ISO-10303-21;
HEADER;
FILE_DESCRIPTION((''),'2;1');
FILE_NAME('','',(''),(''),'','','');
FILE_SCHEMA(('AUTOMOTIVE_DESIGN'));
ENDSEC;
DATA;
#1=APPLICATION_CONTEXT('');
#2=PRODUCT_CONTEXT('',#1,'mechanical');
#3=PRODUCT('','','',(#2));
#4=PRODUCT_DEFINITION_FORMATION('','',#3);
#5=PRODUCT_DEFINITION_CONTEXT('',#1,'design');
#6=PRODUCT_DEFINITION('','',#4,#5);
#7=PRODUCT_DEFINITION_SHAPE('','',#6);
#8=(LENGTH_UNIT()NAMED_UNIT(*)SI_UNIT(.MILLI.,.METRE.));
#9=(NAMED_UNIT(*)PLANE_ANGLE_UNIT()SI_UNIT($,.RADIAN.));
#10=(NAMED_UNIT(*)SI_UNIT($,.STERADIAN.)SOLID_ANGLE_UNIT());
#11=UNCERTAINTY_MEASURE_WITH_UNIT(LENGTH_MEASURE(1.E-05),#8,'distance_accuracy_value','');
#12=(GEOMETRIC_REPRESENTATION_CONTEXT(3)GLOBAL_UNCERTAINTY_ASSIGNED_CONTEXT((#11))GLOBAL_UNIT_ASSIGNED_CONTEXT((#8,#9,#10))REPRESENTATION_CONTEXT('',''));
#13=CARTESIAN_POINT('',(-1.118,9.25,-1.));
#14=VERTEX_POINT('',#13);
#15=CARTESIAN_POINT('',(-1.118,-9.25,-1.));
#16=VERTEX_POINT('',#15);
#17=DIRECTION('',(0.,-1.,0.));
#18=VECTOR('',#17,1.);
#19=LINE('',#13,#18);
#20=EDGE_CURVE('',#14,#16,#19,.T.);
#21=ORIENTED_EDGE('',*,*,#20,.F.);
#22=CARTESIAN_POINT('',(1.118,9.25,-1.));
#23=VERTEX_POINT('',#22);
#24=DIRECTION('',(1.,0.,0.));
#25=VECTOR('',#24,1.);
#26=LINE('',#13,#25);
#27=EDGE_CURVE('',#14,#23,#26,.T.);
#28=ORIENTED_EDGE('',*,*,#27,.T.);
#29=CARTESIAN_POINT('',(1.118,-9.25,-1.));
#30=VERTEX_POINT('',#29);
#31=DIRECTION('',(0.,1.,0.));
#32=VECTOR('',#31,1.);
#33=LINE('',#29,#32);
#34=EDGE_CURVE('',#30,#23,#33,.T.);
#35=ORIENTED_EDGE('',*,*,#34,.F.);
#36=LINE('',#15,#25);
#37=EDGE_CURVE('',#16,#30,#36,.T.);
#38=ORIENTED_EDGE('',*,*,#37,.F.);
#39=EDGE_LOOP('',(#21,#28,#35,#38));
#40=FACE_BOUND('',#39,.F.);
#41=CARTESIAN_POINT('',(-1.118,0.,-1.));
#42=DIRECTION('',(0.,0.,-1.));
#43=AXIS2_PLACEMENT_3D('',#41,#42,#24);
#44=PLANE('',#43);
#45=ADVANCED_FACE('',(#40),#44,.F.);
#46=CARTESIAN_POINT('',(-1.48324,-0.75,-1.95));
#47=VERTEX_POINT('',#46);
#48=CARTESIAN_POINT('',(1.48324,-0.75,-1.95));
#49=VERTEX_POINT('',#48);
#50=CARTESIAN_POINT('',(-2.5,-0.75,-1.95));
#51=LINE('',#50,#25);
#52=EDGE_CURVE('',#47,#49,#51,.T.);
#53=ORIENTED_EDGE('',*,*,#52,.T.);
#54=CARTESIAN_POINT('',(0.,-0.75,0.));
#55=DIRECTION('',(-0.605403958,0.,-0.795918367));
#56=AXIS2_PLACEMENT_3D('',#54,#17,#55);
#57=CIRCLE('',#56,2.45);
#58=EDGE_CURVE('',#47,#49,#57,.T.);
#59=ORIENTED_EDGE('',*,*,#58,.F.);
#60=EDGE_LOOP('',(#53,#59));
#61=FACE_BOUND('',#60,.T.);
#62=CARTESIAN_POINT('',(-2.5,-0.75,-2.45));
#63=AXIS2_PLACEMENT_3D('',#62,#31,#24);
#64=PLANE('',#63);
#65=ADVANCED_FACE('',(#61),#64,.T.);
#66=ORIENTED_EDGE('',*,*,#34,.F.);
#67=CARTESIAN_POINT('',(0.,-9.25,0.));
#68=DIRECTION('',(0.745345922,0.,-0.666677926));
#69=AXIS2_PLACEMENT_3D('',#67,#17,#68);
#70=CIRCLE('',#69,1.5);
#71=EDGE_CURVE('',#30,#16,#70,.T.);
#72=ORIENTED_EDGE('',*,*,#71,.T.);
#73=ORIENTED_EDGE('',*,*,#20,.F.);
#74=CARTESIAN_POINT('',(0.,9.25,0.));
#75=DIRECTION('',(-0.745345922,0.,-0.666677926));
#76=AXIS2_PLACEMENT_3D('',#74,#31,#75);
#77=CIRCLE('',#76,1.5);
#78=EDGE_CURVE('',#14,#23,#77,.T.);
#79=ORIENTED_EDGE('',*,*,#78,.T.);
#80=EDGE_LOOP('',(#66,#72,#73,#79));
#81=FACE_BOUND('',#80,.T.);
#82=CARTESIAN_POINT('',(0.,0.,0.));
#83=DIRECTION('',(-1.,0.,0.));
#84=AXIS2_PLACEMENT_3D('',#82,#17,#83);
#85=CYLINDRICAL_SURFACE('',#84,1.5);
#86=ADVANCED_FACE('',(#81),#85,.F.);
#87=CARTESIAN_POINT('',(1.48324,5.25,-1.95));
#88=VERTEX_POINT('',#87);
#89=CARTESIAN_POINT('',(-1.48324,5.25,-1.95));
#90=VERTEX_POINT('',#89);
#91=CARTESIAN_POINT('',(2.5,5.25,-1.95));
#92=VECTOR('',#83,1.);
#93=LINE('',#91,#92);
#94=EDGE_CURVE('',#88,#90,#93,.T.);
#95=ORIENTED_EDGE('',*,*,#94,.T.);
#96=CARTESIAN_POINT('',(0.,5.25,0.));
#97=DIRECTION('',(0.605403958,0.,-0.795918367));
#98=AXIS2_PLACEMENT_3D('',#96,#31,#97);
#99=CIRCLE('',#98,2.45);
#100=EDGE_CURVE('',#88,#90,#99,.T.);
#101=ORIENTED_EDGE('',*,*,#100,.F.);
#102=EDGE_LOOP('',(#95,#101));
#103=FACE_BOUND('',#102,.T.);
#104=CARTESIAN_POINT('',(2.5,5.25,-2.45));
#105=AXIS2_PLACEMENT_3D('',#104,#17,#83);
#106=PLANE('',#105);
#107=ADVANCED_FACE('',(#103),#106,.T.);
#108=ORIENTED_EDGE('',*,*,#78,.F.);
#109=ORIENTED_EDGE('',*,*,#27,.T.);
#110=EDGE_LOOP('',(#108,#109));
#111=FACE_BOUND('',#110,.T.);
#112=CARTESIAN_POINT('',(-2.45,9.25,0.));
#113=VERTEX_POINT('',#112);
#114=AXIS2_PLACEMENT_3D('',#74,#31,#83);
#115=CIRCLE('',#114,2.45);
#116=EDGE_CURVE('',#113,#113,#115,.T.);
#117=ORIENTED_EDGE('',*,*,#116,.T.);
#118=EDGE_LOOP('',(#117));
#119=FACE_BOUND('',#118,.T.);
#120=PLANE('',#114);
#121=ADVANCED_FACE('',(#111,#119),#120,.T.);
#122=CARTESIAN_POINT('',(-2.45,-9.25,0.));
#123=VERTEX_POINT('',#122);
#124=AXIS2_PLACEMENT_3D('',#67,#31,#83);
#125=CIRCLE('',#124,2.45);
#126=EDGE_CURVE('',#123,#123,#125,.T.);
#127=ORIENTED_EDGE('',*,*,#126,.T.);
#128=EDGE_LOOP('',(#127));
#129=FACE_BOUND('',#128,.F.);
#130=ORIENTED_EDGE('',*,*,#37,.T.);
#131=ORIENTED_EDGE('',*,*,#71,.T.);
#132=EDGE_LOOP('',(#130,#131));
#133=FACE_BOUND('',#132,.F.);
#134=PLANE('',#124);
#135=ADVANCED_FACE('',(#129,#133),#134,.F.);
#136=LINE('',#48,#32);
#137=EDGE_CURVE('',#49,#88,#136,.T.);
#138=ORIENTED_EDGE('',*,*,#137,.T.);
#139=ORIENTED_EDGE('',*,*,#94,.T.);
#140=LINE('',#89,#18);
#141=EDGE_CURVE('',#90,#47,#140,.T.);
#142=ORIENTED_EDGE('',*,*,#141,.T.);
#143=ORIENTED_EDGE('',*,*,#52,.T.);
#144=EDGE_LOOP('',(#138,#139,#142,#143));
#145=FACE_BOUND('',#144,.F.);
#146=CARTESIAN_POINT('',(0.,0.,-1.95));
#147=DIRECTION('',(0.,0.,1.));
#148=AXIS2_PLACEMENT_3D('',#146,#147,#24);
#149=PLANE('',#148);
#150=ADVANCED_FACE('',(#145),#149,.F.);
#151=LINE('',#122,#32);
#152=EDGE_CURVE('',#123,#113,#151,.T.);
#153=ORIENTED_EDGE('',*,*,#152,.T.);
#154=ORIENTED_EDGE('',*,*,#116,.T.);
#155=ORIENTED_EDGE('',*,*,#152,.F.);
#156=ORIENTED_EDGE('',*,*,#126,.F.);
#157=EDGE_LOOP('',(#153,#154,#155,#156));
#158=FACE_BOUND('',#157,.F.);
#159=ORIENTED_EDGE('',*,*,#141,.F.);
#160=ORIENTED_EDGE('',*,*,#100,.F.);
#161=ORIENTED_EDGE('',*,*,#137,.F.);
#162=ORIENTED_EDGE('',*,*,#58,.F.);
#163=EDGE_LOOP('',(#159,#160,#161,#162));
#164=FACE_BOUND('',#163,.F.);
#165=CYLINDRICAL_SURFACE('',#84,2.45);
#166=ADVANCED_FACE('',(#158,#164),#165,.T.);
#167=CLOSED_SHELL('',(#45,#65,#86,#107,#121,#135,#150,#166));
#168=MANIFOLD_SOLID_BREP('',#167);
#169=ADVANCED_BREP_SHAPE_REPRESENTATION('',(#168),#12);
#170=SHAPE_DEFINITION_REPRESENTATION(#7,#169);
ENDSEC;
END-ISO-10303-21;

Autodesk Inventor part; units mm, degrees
ref_plane "YZ Plane" through (0, 0, 0) normal (1, 0, 0) x (0, 1, 0)
ref_plane "XZ Plane" through (0, 0, 0) normal (0, 1, 0) x (-1, 0, 0)
sketch "Sketch1" plane through (0, 0, 0) normal (0, 1, 0) x (-1, 0, 0)
  circle A0 centre (0, 0) radius 1.5
  circle A1 centre (0, 0) radius 2.45
  line L0 (1.118, -1) -> (-1.118, -1)
  line L1 (0.4634, -1.5) -> (-1.27, -1.5) construction
  arc A2 (-1.118, -1) -> (1.118, -1) centre (0, 0) ccw construction
  dimension "d0" = 3
  dimension "d1" = 4.9
  dimension "d2" = 0.5
extrude "Extrusion1" add sketch "Sketch1" along normal mid plane 18.5 contours L0 A0 | A1 picked at (-0.2826, -1.0791)
ref_plane "Work Plane1" through (0, 0, -2.45) normal (0, 0, 1) x (1, 0, 0)
sketch "Sketch6" plane through (0, 0, -2.45) normal (0, 0, 1) x (1, 0, 0)
  line L0 (2.5, 5.25) -> (-2.5, 5.25)
  line L1 (-2.5, 5.25) -> (-2.5, -0.75)
  line L2 (-2.5, -0.75) -> (2.5, -0.75)
  line L3 (2.5, -0.75) -> (2.5, 5.25)
  line L4 (2.45, 9.25) -> (-2.45, 9.25) projected
  point P0 (0, 0)
  point P1 (0, 5.25)
  dimension "d20" = 4
  dimension "d21" = 6
  dimension "d22" = 5
extrude "Extrusion6" cut sketch "Sketch6" along normal blind 0.5
properties part number "ShaftConverter"
